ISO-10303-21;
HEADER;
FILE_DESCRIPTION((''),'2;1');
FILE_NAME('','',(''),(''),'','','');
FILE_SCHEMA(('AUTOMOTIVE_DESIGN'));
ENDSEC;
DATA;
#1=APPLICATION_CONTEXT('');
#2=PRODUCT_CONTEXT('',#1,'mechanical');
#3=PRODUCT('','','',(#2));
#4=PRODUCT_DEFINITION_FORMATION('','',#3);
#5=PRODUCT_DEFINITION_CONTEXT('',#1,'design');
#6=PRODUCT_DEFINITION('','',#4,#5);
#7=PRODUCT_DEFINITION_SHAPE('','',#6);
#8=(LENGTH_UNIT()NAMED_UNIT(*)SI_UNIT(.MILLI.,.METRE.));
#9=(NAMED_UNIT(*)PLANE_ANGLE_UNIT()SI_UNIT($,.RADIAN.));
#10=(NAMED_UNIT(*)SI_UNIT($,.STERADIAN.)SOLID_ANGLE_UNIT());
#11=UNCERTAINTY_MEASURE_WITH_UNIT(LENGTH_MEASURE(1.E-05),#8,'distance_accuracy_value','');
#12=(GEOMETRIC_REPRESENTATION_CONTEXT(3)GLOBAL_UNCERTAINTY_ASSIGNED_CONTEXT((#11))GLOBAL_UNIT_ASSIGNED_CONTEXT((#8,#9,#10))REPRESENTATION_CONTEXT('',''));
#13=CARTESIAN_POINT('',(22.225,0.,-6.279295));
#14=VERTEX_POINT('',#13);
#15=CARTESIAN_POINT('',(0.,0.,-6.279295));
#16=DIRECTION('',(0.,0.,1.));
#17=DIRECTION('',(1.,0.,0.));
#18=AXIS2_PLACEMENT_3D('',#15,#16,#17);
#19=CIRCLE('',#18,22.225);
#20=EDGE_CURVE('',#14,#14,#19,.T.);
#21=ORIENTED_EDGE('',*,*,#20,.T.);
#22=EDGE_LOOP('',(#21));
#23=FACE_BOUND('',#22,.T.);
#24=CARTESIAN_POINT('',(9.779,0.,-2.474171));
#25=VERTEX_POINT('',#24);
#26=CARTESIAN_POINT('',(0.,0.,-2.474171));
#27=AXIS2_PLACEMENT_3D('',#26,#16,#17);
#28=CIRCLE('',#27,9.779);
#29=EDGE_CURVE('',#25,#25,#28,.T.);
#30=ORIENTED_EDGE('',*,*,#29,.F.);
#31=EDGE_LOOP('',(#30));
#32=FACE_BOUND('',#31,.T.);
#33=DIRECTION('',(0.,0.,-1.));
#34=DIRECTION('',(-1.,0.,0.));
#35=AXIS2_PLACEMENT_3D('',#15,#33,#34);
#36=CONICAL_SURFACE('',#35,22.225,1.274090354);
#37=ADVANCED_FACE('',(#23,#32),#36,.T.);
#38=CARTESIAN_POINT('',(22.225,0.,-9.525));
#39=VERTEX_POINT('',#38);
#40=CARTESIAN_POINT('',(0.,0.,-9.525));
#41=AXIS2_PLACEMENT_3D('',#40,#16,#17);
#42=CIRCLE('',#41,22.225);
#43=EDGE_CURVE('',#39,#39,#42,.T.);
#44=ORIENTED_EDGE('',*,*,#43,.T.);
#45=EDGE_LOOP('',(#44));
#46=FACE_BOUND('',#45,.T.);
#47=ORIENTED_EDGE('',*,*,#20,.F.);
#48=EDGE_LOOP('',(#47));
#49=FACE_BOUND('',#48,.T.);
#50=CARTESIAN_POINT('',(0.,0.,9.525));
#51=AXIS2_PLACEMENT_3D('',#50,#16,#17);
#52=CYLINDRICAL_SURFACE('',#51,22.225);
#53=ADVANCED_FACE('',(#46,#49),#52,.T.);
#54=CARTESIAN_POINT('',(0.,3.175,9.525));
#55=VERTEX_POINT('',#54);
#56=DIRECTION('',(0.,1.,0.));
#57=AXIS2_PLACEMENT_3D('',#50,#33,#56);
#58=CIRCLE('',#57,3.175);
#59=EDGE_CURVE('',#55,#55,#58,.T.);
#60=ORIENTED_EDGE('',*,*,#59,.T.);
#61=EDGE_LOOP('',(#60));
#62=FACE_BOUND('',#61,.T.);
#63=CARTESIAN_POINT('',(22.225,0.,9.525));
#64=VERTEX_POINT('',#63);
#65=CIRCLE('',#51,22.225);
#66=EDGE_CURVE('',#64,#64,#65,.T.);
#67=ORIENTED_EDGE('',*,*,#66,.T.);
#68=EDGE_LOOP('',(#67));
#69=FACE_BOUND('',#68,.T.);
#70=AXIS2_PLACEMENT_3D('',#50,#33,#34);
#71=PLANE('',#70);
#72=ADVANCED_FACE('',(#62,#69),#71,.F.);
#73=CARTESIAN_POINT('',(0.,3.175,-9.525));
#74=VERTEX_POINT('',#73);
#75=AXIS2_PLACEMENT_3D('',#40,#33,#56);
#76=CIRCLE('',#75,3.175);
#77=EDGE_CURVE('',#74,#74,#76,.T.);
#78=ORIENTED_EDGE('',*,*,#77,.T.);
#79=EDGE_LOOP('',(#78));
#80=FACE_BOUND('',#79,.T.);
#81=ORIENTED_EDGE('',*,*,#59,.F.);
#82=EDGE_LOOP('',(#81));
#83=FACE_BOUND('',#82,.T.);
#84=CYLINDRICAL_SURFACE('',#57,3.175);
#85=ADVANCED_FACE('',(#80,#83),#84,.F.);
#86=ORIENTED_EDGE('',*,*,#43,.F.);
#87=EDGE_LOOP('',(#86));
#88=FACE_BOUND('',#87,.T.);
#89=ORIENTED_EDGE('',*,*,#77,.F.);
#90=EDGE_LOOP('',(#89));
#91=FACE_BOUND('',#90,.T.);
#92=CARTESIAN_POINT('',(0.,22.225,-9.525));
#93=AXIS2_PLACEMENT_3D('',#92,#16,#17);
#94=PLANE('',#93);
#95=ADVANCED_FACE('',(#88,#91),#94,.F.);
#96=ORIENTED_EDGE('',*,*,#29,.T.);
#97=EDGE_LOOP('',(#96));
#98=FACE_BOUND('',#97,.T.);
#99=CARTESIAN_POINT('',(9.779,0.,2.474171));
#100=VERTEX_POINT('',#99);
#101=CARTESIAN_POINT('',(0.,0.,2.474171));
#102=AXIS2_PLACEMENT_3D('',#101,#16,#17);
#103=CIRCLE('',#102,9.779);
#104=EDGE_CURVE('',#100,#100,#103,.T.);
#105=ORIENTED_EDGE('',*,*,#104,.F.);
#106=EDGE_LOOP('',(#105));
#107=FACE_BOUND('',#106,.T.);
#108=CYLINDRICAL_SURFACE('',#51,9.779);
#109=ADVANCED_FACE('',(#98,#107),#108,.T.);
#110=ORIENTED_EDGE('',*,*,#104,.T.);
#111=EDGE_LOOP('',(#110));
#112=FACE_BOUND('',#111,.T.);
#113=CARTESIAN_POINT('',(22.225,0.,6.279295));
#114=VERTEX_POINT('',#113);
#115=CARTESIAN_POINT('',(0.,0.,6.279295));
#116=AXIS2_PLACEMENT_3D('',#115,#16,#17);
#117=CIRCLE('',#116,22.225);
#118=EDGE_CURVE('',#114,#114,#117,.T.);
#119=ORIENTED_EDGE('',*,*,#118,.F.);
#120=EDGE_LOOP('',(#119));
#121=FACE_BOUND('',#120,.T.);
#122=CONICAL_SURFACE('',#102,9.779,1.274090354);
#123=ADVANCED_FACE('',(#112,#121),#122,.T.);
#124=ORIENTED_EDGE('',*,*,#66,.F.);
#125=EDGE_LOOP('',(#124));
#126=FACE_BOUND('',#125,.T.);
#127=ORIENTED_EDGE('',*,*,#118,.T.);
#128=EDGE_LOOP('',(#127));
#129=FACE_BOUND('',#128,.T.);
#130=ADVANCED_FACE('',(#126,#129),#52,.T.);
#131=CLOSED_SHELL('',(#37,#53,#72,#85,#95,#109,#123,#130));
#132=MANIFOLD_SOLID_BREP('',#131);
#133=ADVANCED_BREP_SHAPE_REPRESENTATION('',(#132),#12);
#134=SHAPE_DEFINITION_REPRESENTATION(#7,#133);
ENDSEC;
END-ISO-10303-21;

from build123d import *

# Parameters (mm, degrees)
SKETCH2_R          = 3.175
CUT_EXTRUDE1_DEPTH = 19.05


with BuildPart() as part:
    # Sketch1 → Revolve1 (revolve)
    with BuildSketch(Plane(origin=(0, 0, 0), x_dir=(0, 0, -1), z_dir=(1, 0, 0))):
        Polygon((6.279294914, 22.225), (9.525, 22.225), (9.525, 0), (-9.525, 0), (-9.525, 22.225), (-6.279294914, 22.225), (-2.474170852, 9.779), (2.474170852, 9.779), align=None)
    revolve(axis=Axis((0, 0, 9.525), (0, 0, -1)))

    # Sketch2 → Cut-Extrude1 (cut)
    with BuildSketch(Plane(origin=(0, 0, -9.525), x_dir=(-1, 0, 0), z_dir=(0, 0, -1))):
        Circle(SKETCH2_R)
    extrude(amount=-CUT_EXTRUDE1_DEPTH, mode=Mode.SUBTRACT)


solid = part.part
